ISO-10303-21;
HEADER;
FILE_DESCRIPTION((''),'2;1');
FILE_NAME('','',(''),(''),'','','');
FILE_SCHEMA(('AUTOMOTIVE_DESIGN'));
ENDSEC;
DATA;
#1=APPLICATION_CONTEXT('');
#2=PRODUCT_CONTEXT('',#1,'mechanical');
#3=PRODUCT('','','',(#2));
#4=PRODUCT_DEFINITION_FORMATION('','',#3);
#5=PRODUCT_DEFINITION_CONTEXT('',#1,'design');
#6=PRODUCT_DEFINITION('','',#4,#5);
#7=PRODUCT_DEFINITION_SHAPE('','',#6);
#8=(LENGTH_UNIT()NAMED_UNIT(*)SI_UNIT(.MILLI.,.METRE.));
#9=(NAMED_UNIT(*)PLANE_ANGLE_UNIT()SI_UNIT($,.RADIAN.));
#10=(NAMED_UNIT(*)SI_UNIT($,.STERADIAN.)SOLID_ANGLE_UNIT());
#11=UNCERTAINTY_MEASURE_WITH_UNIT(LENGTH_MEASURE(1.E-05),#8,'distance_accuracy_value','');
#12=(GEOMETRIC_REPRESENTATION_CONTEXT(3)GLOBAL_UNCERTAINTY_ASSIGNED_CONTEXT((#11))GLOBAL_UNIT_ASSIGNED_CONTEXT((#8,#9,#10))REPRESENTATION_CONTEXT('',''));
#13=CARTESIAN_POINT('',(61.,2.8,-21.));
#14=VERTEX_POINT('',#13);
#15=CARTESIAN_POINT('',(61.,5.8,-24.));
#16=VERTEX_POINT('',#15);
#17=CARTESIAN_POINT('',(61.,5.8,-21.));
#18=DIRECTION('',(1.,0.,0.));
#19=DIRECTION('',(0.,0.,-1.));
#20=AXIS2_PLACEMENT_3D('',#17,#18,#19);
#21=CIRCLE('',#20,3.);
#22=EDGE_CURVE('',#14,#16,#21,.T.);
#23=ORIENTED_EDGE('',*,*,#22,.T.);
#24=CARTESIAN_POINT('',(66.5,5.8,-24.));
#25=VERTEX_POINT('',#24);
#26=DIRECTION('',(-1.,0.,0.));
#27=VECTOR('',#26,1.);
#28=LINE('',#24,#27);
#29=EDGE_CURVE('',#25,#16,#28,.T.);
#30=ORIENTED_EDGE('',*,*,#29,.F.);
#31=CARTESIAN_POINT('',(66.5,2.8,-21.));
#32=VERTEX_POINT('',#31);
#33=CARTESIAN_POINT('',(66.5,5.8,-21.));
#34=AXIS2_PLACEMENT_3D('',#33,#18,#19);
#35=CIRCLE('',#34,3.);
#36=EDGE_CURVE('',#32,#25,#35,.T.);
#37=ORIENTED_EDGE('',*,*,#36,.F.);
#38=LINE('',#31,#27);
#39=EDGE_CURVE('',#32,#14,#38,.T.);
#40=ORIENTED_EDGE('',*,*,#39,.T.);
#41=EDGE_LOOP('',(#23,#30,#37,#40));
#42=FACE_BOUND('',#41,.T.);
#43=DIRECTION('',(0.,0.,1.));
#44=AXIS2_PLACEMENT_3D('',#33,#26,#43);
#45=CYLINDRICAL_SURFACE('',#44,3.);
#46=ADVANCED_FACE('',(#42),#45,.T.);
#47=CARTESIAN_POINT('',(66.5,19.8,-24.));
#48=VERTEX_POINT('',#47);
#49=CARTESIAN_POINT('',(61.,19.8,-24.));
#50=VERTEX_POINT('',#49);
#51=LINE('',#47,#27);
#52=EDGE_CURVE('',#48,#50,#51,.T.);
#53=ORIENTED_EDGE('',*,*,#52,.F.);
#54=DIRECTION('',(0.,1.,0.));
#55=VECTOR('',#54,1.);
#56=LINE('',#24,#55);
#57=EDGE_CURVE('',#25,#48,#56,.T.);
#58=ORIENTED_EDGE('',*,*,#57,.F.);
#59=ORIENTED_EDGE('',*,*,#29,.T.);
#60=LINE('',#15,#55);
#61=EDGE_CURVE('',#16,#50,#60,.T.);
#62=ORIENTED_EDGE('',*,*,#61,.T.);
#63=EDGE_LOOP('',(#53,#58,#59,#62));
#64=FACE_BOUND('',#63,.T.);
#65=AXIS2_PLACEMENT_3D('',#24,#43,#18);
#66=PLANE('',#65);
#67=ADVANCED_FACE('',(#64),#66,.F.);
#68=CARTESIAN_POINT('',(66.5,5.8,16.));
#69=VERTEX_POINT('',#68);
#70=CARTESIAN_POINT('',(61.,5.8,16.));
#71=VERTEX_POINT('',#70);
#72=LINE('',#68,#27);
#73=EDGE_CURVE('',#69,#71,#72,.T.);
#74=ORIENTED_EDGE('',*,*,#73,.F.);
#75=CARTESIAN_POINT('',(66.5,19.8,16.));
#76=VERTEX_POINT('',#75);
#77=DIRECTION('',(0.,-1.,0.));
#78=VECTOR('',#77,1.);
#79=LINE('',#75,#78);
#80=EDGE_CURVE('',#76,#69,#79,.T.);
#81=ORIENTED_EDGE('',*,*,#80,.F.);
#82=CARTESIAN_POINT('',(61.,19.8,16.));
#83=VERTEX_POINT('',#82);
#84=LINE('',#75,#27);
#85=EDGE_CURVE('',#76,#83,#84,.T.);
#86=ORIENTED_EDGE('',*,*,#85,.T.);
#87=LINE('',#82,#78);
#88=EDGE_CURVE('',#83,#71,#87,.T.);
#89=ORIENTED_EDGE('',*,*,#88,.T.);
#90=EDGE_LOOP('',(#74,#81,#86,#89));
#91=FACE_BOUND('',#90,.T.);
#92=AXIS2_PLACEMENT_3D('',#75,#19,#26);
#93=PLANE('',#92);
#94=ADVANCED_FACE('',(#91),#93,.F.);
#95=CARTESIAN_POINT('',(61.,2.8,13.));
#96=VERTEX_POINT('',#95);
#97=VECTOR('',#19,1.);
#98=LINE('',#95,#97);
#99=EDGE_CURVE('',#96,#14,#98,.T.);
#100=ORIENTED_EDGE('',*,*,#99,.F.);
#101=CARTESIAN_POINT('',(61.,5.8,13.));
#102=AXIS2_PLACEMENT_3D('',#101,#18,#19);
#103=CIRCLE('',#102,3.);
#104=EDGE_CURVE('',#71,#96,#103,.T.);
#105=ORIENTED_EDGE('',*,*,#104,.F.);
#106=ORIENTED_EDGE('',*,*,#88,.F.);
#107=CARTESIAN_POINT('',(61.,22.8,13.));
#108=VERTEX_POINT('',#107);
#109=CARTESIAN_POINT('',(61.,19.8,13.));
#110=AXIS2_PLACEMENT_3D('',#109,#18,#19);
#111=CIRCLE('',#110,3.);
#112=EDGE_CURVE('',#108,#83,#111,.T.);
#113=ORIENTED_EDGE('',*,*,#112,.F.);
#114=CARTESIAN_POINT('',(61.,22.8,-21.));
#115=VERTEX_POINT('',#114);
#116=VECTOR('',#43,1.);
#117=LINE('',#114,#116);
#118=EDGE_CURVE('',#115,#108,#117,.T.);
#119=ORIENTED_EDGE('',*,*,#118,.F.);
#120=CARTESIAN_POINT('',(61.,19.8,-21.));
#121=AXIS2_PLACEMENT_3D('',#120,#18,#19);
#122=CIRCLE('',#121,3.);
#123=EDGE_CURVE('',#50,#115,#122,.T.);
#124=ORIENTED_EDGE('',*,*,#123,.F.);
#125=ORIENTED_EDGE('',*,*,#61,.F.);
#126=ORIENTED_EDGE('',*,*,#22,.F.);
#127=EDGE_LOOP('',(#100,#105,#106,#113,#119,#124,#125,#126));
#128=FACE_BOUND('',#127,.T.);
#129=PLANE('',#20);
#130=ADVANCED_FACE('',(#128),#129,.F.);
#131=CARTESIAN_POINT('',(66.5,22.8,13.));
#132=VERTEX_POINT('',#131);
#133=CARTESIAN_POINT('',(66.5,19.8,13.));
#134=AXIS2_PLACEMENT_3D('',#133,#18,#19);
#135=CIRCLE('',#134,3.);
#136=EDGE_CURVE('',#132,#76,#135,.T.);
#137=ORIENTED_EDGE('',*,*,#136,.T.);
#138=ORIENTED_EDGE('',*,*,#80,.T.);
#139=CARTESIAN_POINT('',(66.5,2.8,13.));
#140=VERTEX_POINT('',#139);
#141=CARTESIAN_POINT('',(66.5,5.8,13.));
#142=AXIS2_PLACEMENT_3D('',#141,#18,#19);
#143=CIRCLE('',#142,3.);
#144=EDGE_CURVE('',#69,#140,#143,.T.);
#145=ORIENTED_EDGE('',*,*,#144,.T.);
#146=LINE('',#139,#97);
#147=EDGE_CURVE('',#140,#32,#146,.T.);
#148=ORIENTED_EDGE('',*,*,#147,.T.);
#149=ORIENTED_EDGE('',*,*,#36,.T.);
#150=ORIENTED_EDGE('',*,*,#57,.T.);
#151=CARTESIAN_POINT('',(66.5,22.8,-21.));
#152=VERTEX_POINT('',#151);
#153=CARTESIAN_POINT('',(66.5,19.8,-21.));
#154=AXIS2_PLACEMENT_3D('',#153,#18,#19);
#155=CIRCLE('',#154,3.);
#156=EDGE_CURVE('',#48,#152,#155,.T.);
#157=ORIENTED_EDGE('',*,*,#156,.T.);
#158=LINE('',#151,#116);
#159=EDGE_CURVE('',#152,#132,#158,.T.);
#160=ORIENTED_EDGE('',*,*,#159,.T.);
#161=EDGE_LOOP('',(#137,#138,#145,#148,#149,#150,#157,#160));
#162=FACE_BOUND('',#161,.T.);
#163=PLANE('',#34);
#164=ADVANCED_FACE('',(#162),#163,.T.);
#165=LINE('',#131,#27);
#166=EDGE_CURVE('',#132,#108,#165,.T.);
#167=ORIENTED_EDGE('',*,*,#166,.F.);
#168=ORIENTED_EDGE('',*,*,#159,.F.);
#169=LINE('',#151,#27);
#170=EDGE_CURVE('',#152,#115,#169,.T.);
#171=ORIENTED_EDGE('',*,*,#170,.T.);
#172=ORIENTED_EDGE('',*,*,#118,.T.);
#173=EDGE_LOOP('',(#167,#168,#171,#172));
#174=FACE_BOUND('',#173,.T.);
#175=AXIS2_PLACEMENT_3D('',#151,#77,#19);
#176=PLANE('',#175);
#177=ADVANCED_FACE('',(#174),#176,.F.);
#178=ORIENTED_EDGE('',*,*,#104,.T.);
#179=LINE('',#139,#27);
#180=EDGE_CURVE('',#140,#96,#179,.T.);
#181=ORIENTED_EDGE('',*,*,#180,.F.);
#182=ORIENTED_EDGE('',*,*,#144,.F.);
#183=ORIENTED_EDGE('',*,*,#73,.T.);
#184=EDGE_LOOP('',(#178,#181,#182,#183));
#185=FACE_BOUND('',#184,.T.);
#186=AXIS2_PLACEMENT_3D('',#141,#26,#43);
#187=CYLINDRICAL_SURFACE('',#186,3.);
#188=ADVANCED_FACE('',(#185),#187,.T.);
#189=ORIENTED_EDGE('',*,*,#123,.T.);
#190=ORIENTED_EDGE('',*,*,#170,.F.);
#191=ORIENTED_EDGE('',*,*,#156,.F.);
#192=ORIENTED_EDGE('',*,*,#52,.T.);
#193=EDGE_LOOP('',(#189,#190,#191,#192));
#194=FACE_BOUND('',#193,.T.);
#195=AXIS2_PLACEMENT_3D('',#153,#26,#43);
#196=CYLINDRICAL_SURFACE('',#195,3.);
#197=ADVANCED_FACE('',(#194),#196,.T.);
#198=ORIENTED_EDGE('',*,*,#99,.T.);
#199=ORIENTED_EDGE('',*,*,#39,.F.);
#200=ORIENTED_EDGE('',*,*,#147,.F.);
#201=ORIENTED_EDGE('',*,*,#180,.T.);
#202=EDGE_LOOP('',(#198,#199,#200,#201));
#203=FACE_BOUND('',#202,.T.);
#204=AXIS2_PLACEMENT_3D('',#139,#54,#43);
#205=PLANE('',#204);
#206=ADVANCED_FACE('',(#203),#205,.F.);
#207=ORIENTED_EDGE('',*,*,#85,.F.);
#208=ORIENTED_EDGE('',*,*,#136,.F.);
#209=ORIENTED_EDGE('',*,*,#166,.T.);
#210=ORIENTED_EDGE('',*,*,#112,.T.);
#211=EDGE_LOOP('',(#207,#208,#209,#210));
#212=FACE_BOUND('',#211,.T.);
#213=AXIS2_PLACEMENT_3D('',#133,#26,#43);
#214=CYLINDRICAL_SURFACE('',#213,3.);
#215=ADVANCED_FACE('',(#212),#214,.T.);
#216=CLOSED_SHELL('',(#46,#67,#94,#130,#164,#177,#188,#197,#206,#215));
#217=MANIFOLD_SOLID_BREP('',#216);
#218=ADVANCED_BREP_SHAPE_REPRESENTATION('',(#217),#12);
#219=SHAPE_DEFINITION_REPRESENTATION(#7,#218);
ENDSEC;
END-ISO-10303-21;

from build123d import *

# Parameters (mm, degrees)
DRIVER_START = 61
DRIVER_DEPTH = 5.5


with BuildPart() as part:
    # Sketch1 → Driver (new body)
    with BuildSketch(Plane(origin=(0, 0, 0), x_dir=(0, 0, -1), z_dir=(1, 0, 0)).offset(DRIVER_START)):
        with BuildLine():
            Line((24, 5.8), (24, 19.8))
            ThreePointArc((24, 19.8), (23.121320344, 21.921320344), (21, 22.8))
            Line((21, 22.8), (-13, 22.8))
            ThreePointArc((-13, 22.8), (-15.121320344, 21.921320344), (-16, 19.8))
            Line((-16, 19.8), (-16, 5.8))
            ThreePointArc((-16, 5.8), (-15.121320344, 3.678679656), (-13, 2.8))
            Line((-13, 2.8), (21, 2.8))
            ThreePointArc((21, 2.8), (23.121320344, 3.678679656), (24, 5.8))
        make_face()
    extrude(amount=DRIVER_DEPTH)


solid = part.part
